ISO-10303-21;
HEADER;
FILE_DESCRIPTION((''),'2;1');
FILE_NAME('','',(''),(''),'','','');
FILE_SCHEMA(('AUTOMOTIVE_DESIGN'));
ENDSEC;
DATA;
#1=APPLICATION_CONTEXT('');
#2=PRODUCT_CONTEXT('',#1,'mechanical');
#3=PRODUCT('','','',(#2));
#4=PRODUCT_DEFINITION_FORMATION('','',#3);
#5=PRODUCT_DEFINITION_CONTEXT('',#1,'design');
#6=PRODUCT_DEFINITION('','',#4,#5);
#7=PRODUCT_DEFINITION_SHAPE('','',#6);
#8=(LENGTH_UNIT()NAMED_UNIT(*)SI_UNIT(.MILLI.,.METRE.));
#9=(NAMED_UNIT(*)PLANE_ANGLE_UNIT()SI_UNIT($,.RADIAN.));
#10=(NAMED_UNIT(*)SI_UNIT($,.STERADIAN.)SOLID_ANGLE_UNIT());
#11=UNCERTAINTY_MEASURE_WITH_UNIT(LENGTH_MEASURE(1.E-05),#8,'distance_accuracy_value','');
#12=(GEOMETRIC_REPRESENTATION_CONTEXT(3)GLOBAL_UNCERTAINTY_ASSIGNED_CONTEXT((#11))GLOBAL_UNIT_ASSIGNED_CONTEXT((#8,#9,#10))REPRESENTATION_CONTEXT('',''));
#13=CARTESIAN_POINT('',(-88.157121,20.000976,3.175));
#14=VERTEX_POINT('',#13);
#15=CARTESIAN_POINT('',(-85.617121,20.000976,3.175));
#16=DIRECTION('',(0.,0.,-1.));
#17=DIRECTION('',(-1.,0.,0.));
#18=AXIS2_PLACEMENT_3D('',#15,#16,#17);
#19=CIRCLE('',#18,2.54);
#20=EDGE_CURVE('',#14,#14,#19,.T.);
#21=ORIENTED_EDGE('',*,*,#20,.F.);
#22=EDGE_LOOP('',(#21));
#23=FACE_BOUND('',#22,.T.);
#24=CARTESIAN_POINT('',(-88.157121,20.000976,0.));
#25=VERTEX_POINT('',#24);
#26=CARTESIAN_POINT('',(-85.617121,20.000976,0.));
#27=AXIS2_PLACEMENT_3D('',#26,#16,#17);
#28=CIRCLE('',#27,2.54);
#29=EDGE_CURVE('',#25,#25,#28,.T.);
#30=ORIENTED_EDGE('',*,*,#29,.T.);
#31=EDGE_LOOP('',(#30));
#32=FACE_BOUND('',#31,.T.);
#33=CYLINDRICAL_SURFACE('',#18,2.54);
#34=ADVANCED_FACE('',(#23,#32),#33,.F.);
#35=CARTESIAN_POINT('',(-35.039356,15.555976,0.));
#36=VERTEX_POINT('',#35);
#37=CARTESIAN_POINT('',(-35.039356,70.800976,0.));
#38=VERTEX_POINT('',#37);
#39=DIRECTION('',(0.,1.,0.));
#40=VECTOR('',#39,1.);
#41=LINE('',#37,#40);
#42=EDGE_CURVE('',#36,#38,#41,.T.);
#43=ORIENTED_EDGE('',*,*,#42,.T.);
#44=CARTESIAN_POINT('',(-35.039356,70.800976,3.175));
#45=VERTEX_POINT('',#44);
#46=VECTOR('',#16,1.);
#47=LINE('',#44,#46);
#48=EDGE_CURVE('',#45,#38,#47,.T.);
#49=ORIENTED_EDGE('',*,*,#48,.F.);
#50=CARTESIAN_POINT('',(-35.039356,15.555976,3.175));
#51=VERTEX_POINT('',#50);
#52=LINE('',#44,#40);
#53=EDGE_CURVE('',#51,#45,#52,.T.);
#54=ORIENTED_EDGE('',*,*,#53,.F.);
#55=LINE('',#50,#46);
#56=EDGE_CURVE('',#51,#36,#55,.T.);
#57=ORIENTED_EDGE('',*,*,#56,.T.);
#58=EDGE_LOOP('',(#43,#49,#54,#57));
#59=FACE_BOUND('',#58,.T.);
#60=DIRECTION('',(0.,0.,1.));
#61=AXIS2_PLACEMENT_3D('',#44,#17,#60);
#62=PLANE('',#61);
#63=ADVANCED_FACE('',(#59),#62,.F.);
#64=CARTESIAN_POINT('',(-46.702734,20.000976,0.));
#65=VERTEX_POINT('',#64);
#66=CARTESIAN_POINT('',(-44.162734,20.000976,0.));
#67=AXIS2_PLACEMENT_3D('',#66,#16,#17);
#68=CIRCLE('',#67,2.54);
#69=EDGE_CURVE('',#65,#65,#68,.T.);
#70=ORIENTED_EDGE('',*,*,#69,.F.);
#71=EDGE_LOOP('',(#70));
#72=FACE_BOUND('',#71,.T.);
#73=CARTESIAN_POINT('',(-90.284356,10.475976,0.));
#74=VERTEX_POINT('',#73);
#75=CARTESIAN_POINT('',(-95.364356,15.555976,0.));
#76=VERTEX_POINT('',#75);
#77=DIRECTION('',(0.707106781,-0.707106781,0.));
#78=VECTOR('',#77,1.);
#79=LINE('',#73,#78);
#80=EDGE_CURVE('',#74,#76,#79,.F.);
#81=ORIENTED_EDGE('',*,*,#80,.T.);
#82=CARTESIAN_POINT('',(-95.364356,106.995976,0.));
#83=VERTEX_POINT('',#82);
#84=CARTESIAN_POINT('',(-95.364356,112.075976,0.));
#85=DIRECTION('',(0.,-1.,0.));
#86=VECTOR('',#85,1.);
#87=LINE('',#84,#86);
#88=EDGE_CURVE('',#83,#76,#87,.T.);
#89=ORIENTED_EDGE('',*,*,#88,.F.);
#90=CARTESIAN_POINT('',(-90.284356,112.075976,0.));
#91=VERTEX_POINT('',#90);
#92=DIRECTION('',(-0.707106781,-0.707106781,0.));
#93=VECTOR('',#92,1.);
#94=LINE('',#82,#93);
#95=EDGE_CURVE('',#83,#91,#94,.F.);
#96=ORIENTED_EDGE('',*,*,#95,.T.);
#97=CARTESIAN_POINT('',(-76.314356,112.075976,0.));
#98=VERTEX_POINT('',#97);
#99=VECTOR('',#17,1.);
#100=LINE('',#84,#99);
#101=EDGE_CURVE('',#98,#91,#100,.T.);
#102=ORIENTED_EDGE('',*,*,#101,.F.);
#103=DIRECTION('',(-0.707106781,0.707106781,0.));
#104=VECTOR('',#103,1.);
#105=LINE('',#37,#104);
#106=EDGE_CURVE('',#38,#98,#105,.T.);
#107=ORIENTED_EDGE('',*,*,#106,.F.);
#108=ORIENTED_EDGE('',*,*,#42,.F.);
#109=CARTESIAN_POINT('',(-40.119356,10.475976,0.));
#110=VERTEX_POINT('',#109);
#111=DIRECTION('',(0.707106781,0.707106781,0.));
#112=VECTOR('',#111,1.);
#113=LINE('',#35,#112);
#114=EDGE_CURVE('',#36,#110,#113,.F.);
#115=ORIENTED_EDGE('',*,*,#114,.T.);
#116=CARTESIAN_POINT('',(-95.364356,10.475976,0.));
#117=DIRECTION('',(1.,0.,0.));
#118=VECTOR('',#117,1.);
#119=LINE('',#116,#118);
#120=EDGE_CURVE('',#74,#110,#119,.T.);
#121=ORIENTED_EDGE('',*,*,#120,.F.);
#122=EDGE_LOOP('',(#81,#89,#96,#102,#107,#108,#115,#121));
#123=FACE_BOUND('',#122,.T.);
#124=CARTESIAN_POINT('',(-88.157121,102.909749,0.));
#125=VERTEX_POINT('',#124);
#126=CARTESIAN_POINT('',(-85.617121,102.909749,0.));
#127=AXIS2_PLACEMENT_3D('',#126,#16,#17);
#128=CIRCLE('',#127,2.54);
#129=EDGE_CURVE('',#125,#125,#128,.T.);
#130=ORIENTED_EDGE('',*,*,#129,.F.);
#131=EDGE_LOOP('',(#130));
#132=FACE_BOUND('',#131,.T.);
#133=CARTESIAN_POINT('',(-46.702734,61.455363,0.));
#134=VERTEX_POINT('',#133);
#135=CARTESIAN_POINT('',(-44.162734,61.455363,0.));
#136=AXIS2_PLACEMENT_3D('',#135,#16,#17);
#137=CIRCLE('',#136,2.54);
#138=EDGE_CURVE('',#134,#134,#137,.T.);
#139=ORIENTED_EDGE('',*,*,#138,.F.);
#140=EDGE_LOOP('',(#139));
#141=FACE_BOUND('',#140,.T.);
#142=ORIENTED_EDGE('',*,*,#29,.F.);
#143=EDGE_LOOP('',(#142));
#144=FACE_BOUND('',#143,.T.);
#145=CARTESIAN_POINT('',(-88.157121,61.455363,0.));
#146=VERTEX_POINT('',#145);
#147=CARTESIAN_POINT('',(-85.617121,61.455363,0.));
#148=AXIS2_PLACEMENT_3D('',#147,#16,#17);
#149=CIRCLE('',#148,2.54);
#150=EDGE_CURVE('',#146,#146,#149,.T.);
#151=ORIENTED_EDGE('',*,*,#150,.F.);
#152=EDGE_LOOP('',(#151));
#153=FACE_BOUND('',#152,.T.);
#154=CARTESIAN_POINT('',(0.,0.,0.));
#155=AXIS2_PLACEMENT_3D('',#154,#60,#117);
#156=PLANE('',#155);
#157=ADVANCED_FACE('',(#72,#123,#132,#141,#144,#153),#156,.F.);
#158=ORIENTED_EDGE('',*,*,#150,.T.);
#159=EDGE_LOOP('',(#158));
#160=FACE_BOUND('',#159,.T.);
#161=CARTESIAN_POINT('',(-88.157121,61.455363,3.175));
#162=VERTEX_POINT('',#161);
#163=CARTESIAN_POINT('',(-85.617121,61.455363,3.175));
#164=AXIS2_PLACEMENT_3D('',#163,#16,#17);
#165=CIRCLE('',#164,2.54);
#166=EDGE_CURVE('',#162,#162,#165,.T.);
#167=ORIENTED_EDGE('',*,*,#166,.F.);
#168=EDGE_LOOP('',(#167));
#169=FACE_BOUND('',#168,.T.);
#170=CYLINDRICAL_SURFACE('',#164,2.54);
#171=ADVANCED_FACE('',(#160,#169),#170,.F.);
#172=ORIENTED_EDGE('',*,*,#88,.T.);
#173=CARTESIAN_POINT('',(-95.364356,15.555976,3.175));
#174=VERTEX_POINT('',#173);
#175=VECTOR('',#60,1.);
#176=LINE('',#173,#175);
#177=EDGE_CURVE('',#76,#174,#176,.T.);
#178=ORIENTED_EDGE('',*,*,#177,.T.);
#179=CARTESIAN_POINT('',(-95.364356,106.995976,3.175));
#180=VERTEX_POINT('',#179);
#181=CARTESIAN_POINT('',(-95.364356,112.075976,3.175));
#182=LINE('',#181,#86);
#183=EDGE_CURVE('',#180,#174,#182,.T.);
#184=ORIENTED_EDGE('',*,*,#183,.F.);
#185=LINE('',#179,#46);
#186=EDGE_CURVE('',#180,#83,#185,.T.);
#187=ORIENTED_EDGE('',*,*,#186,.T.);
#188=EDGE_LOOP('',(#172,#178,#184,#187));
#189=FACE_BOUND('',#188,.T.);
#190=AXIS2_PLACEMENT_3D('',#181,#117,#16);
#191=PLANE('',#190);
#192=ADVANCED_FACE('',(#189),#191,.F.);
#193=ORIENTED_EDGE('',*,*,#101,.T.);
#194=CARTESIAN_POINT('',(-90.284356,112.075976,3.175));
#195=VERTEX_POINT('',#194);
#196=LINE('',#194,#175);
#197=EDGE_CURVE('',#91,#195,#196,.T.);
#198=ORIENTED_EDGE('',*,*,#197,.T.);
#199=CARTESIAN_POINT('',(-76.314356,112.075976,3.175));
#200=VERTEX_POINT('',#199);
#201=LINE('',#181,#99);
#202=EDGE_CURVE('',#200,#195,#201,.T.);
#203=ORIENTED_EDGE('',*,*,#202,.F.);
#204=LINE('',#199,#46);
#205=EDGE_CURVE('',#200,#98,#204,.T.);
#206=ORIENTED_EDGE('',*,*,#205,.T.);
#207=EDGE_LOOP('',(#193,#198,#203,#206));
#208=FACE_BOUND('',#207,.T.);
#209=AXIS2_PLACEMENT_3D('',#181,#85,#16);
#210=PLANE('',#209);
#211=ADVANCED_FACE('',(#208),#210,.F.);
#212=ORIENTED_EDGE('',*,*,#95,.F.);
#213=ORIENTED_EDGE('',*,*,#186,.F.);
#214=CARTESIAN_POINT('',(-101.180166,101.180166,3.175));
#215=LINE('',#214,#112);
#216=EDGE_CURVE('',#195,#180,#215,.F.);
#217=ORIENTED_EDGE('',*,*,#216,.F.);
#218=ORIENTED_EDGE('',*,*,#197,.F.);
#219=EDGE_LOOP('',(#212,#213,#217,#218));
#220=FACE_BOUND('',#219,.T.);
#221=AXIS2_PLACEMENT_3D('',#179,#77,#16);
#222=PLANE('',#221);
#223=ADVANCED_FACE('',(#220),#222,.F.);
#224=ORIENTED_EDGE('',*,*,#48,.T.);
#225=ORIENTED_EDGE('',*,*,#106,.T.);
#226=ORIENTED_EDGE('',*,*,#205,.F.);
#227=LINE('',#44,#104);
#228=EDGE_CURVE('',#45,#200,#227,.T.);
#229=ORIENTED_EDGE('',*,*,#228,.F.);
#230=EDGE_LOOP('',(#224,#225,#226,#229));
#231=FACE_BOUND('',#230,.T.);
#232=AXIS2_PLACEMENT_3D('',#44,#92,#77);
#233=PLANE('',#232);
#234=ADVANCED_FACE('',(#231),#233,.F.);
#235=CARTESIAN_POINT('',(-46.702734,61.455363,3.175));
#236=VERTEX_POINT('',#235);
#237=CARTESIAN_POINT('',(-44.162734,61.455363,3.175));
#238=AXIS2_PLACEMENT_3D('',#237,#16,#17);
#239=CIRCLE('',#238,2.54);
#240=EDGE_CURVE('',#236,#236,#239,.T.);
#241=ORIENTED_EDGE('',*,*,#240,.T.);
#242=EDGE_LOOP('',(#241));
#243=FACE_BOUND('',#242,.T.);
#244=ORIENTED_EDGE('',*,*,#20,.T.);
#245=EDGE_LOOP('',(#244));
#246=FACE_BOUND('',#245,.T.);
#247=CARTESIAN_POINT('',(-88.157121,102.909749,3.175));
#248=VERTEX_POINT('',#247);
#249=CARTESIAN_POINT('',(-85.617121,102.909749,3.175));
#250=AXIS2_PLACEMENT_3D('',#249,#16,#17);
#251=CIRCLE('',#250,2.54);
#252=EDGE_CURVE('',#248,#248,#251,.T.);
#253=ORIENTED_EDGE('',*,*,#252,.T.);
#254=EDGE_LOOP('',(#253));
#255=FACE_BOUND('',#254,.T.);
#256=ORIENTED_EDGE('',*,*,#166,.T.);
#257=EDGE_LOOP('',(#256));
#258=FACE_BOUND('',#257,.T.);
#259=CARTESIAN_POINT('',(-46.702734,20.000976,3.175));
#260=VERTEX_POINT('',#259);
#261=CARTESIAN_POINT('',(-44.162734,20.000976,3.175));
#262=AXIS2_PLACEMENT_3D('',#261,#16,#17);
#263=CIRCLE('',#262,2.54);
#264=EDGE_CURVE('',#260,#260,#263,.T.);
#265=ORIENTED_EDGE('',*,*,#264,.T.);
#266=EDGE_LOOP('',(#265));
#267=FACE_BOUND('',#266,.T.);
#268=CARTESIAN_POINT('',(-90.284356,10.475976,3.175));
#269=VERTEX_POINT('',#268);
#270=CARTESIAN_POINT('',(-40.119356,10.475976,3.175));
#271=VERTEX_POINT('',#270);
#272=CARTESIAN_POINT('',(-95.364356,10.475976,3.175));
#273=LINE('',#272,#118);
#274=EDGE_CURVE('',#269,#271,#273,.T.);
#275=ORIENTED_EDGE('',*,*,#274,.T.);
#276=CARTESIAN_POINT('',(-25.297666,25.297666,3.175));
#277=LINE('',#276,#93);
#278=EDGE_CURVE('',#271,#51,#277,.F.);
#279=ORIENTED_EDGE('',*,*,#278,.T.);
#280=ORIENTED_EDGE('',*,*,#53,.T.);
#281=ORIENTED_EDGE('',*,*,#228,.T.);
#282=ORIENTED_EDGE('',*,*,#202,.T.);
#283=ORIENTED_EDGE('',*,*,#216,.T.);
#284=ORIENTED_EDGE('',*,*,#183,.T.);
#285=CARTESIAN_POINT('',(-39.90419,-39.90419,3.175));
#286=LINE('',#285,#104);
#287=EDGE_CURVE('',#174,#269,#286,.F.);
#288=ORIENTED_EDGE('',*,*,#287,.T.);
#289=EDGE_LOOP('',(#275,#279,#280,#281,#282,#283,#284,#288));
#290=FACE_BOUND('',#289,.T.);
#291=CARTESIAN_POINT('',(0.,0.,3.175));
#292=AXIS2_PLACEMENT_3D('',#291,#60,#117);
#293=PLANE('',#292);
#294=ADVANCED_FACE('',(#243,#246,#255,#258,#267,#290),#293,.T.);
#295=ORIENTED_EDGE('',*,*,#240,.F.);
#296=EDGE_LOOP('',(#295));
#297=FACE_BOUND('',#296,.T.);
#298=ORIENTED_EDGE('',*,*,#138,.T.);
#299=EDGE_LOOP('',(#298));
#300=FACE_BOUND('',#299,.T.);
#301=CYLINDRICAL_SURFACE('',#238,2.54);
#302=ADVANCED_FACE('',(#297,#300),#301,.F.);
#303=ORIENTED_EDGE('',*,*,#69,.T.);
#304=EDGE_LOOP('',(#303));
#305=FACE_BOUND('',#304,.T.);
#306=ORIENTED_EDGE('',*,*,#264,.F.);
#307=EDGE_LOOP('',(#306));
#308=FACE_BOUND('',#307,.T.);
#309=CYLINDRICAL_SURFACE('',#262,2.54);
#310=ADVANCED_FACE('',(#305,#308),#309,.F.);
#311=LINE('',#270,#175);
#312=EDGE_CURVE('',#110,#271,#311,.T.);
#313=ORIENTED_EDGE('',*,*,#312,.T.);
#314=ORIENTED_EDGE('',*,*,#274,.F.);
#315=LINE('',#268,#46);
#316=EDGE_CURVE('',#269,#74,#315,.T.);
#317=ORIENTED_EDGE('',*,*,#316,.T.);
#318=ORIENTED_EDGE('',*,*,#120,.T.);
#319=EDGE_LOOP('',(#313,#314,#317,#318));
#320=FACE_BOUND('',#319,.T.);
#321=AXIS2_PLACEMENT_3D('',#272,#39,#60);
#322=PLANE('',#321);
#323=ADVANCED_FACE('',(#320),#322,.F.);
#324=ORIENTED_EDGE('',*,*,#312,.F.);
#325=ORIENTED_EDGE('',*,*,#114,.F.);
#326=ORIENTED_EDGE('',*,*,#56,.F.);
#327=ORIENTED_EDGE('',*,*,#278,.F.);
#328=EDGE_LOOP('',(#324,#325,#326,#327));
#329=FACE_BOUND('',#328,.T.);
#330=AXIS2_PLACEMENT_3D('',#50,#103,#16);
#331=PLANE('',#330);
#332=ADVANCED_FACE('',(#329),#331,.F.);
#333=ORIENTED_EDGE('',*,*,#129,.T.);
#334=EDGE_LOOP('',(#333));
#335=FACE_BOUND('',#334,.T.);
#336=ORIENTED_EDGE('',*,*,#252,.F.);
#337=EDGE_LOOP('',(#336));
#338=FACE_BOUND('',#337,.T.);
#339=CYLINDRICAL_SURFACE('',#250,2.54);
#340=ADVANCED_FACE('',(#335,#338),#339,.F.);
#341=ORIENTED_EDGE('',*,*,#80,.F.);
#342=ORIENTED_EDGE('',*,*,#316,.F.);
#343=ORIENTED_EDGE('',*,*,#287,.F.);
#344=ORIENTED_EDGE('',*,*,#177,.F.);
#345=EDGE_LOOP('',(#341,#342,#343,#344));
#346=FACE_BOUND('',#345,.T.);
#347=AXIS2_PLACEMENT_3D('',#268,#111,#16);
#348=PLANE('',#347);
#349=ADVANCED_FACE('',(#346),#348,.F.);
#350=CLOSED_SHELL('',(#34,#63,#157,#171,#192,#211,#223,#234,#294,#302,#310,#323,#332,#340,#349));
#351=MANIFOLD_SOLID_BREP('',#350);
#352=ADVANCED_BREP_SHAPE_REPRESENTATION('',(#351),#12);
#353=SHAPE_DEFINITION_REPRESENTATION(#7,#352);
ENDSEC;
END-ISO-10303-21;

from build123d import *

# Parameters (mm, degrees)
BOSS_EXTRUDE1_DEPTH = 3.175
SKETCH2_R           = 2.54
CUT_EXTRUDE1_DEPTH  = 4.175
CHAMFER1_SIZE       = 5.08


with BuildPart() as part:
    # Sketch1 → Boss-Extrude1 (new body)
    with BuildSketch(Plane.XY):
        Polygon((-95.364356197, 10.475976437), (-35.039356197, 10.475976437), (-35.039356197, 70.800976437), (-76.314356197, 112.075976437), (-95.364356197, 112.075976437), align=None)
    extrude(amount=BOSS_EXTRUDE1_DEPTH)

    # Sketch2 → Cut-Extrude1 (cut, through all)
    with BuildSketch(Plane(origin=(0, 0, 0), x_dir=(-1, 0, 0), z_dir=(0, 0, -1))):
        with Locations((44.162734276, 20.000976437)):
            Circle(SKETCH2_R)
        with Locations((85.617120669, 20.000976437)):
            Circle(SKETCH2_R)
        with Locations((85.617120669, 61.45536283)):
            Circle(SKETCH2_R)
        with Locations((85.617120669, 102.909749223)):
            Circle(SKETCH2_R)
        with Locations((44.162734276, 61.45536283)):
            Circle(SKETCH2_R)
    extrude(amount=-CUT_EXTRUDE1_DEPTH, mode=Mode.SUBTRACT)

    # Chamfer1
    chamfer1_edges = [part.edges().sort_by_distance(p)[0] for p in [
        (-95.364356197, 112.075976437, 1.5875),
        (-35.039356197, 10.475976437, 1.5875),
        (-95.364356197, 10.475976437, 1.5875),
    ]]
    chamfer(chamfer1_edges, length=CHAMFER1_SIZE)


solid = part.part
